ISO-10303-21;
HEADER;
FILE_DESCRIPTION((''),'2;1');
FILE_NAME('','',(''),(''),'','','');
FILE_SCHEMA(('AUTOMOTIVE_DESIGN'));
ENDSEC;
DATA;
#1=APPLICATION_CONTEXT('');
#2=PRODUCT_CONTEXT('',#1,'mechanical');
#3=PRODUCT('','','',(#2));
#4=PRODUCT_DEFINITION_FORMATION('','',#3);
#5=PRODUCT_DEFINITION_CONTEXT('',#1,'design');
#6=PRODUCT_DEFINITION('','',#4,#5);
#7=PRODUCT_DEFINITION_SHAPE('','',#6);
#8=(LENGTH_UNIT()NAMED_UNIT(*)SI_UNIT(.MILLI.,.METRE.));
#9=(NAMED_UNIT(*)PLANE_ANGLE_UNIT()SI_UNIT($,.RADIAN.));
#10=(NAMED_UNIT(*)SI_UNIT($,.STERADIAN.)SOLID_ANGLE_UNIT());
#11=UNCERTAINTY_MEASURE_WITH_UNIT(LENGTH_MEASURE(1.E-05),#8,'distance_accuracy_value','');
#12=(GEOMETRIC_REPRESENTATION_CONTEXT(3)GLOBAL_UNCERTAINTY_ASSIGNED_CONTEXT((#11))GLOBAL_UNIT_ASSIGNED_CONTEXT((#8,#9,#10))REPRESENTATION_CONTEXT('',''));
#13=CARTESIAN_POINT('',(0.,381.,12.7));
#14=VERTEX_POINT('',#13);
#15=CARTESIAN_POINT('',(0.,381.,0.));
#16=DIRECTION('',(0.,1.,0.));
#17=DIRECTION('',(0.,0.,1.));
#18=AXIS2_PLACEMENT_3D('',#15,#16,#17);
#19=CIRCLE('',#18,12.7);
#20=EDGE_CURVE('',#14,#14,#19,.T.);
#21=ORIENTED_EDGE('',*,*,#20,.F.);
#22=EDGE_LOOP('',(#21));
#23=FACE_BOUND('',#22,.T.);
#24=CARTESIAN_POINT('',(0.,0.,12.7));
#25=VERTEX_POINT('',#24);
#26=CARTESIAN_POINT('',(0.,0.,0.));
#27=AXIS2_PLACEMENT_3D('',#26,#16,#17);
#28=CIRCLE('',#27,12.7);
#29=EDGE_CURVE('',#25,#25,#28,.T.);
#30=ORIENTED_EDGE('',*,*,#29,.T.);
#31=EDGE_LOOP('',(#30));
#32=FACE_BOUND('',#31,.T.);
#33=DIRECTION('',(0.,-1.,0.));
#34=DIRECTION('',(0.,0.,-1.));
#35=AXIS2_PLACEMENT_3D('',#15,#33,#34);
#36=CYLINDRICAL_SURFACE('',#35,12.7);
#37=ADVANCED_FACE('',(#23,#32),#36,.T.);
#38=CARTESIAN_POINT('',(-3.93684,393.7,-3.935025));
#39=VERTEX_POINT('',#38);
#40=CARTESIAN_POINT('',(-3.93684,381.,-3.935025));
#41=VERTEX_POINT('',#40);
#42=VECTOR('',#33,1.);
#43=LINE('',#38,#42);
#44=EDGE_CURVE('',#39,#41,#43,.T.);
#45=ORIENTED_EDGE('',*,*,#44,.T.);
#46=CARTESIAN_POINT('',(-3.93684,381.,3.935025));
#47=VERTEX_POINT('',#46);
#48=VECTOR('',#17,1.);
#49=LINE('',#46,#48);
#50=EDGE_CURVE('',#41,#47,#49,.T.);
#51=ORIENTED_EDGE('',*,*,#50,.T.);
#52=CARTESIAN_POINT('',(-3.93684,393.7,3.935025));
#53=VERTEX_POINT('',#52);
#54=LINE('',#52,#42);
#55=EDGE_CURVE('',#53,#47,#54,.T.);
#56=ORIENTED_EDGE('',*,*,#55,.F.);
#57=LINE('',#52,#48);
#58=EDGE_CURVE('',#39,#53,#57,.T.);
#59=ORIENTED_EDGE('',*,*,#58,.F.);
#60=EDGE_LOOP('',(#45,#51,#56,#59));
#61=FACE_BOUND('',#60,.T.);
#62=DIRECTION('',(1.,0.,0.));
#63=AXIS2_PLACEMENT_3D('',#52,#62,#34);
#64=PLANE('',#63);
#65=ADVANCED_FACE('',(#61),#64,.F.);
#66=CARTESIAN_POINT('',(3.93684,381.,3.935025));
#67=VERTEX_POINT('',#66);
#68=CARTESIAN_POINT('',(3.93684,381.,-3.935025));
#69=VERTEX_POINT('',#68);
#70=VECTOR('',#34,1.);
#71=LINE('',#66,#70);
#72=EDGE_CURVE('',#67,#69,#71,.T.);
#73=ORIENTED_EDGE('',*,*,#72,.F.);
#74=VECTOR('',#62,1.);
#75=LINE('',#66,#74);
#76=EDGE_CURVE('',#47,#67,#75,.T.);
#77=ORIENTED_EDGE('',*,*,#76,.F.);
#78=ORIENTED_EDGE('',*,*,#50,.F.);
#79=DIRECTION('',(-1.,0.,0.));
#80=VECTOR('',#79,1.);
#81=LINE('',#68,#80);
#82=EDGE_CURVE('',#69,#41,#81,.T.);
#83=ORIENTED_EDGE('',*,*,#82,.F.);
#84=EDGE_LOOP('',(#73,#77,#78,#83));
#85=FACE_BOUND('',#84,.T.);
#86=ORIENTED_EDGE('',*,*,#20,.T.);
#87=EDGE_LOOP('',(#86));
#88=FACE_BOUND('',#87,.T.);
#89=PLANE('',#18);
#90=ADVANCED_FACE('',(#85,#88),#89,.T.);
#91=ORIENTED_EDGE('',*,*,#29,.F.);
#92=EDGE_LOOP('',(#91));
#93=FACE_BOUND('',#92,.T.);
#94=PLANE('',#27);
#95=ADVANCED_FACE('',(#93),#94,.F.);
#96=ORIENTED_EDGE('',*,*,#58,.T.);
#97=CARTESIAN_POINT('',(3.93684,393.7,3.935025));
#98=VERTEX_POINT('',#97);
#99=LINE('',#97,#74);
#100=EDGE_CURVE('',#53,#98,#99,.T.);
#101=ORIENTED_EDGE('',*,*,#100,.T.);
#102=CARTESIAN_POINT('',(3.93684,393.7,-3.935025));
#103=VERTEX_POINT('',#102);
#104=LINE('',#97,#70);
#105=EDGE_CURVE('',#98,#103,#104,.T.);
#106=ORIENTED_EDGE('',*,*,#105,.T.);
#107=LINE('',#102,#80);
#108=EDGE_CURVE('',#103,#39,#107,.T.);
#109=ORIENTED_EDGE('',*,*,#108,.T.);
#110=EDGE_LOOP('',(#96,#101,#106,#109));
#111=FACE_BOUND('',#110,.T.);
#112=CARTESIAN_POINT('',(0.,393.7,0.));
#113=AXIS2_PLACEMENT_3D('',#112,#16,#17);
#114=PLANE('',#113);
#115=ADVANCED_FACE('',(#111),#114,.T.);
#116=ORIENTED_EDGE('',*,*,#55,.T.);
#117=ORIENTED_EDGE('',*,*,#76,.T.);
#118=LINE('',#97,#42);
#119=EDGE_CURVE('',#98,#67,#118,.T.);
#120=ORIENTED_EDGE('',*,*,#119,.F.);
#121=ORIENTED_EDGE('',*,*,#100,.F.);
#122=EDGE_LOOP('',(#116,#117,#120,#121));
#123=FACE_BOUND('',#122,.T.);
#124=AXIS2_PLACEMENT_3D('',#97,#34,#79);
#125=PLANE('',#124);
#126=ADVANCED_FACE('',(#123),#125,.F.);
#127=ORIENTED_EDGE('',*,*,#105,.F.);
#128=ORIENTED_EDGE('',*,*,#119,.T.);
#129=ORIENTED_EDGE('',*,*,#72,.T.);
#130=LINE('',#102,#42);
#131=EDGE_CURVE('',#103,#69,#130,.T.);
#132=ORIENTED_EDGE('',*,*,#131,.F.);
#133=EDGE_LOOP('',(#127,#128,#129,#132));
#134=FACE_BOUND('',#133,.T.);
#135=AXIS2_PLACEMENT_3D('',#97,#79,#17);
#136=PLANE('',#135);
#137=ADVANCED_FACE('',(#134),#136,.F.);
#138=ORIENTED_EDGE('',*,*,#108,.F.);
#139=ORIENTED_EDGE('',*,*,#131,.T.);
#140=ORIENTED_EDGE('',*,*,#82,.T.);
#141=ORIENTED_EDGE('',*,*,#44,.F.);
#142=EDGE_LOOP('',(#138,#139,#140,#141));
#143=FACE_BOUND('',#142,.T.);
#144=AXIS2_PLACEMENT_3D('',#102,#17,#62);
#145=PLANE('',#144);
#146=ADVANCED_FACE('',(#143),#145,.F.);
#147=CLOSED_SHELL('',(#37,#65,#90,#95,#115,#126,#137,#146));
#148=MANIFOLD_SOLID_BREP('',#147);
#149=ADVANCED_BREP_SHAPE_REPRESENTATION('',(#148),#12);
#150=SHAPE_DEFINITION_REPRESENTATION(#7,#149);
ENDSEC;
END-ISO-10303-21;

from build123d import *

# Parameters (mm, degrees)
SKETCH1_R           = 12.7
BOSS_EXTRUDE1_DEPTH = 381
SKETCH2_W           = 7.873679476
SKETCH2_H           = 7.870049084
BOSS_EXTRUDE2_DEPTH = 12.7


with BuildPart() as part:
    # Sketch1 → Boss-Extrude1 (new body)
    with BuildSketch(Plane(origin=(0, 0, 0), x_dir=(1, 0, 0), z_dir=(0, 1, 0))):
        with Locations(Location((0, 0, 0), (0, 0, 270))):
            Circle(SKETCH1_R)
    extrude(amount=BOSS_EXTRUDE1_DEPTH)

    # Sketch2 → Boss-Extrude2 (add)
    with BuildSketch(Plane(origin=(0, 381, 0), x_dir=(1, 0, 0), z_dir=(0, 1, 0))):
        Rectangle(SKETCH2_W, SKETCH2_H)
    extrude(amount=BOSS_EXTRUDE2_DEPTH)


solid = part.part
